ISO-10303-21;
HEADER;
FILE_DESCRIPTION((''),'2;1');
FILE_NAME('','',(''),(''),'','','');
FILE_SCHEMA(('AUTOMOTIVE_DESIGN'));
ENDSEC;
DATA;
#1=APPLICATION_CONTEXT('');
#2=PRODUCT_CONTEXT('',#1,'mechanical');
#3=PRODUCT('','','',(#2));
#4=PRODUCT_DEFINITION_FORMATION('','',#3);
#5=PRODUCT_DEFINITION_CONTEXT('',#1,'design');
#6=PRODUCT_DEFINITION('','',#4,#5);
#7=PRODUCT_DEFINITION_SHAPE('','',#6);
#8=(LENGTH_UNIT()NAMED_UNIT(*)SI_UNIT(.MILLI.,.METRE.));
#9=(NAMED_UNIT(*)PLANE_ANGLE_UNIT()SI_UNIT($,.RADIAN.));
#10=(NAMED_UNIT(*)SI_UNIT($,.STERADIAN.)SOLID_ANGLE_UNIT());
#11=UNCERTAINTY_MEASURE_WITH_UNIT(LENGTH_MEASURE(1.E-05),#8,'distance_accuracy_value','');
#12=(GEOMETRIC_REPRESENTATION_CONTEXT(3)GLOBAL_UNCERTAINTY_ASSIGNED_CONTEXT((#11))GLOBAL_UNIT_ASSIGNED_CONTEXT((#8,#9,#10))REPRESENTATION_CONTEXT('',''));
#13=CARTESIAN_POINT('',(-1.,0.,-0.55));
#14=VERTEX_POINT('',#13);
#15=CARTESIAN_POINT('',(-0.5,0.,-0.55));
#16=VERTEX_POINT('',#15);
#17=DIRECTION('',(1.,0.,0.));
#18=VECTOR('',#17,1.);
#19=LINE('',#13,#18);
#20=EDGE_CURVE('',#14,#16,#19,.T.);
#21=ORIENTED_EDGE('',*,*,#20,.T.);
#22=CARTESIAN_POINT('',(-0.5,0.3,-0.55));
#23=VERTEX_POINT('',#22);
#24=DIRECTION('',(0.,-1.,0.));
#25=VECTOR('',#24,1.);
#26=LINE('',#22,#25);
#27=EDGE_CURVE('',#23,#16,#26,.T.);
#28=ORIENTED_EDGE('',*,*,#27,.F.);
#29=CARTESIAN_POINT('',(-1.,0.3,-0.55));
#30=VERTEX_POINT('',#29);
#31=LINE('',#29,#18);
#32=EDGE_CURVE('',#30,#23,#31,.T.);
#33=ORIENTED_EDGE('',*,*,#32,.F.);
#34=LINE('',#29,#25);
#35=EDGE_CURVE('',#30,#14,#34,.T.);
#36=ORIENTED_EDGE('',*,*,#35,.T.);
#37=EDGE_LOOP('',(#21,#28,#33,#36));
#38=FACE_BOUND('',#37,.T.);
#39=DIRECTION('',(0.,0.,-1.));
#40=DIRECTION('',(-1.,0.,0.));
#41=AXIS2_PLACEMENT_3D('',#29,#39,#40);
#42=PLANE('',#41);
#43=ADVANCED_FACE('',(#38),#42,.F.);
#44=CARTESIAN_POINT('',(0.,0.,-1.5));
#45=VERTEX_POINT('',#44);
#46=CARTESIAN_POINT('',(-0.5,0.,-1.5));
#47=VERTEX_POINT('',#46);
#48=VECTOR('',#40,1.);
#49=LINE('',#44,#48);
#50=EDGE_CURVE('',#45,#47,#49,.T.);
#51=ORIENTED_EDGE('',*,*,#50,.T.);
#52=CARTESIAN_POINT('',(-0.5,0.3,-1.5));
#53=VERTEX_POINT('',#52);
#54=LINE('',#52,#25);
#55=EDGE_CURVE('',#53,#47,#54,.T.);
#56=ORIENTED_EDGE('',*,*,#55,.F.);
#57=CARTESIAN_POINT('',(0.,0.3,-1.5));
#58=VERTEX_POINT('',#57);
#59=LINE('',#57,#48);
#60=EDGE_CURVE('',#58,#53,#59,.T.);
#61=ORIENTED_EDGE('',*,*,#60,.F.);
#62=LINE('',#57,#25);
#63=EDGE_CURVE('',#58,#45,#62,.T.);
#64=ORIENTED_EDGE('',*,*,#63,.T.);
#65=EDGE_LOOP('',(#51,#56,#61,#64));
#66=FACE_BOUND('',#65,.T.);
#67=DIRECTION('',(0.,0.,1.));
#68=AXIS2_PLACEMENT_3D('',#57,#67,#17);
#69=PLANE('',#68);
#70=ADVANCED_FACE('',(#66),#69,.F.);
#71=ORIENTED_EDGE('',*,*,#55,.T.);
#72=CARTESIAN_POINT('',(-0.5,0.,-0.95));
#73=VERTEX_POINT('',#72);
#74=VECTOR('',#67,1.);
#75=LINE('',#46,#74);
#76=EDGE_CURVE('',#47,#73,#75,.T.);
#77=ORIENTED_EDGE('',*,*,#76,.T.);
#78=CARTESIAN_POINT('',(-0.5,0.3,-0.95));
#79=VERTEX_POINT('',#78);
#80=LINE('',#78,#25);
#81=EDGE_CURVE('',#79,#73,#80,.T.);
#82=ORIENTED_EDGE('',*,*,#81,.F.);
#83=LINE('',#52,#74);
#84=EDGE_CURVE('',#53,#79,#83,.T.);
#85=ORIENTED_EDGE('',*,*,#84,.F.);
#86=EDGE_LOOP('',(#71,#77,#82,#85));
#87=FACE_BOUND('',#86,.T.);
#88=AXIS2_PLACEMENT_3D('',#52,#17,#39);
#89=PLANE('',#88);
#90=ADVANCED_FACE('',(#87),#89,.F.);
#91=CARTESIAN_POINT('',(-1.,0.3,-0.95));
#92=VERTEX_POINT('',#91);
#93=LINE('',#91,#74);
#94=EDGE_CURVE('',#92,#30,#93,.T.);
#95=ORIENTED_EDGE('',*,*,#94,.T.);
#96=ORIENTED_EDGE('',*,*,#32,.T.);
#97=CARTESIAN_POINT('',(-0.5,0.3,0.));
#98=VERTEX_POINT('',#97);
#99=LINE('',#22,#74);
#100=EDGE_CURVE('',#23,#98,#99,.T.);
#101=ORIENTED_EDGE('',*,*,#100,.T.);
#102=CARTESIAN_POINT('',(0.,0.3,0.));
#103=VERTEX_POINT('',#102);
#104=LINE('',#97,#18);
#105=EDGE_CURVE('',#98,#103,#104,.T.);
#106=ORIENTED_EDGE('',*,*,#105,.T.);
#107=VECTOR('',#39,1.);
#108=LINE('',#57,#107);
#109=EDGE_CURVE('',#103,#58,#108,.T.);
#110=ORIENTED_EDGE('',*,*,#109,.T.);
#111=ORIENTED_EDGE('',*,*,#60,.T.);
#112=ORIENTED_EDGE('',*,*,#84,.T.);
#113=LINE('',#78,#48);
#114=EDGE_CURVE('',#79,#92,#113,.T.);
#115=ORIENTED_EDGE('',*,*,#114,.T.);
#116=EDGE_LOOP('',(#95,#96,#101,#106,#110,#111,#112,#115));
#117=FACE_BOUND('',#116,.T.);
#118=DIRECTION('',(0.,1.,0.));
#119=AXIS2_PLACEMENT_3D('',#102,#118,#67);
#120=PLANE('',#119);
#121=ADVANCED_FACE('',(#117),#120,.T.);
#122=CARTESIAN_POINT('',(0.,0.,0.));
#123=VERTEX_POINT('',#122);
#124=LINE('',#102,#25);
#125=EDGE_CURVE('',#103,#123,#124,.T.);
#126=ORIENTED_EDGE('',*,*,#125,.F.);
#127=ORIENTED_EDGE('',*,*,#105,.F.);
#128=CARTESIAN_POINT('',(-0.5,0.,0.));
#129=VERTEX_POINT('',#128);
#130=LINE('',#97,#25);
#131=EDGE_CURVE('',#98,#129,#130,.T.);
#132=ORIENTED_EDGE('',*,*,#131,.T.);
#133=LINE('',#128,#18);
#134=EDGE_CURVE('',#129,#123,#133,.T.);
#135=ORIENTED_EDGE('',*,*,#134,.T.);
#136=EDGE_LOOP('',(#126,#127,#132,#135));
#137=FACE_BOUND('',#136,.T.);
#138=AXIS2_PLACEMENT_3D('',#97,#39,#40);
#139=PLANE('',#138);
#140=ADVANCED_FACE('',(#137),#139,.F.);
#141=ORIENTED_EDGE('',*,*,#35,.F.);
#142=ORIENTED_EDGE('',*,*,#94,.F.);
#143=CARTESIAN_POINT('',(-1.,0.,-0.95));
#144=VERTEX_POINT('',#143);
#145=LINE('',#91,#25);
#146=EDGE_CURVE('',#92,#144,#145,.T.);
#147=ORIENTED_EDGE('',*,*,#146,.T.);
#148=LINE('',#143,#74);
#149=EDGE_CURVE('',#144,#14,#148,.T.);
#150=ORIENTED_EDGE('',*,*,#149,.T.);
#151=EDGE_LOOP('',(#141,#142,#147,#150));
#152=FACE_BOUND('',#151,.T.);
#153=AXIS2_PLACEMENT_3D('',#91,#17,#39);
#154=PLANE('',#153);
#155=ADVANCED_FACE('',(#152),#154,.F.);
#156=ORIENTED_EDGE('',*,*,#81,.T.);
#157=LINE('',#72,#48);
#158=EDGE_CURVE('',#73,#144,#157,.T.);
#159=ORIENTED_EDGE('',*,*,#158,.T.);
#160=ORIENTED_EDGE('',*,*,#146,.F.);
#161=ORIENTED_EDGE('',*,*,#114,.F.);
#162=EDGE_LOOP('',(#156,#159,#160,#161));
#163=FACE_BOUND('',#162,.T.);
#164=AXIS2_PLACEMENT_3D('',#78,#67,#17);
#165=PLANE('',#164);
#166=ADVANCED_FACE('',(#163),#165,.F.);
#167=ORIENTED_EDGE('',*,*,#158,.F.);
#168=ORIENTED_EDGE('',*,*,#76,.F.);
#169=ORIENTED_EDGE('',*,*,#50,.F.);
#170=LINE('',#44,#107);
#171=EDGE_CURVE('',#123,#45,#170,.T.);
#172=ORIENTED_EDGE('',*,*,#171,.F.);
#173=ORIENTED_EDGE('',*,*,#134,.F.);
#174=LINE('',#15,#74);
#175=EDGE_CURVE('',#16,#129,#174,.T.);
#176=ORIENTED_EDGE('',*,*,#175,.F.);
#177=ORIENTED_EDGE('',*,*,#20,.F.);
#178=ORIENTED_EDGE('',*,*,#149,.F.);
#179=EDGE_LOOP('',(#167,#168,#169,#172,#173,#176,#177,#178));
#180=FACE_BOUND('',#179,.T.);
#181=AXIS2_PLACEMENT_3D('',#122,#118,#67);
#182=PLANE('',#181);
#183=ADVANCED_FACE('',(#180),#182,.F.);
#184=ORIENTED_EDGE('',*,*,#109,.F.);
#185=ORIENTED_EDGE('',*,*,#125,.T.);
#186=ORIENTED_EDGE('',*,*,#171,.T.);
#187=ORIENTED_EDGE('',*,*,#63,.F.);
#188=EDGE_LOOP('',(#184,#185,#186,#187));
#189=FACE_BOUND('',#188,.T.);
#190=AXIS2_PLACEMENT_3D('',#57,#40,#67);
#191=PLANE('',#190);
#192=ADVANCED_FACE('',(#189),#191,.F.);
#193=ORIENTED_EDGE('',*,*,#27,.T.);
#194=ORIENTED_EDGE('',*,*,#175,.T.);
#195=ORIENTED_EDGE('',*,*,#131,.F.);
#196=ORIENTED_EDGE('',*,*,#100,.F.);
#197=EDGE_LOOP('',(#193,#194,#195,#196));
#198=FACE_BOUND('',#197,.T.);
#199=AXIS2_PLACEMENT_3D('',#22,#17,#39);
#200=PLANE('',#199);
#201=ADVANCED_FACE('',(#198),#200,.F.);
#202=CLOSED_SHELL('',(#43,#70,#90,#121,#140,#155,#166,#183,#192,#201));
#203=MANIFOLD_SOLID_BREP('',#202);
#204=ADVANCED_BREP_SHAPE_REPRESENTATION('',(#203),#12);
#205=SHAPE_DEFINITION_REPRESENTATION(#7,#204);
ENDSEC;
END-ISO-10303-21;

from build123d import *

# Parameters (mm, degrees)
BOSS_EXTRUDE1_DEPTH = 0.3


with BuildPart() as part:
    # Sketch1 → Boss-Extrude1 (new body)
    with BuildSketch(Plane(origin=(0, 0, 0), x_dir=(1, 0, 0), z_dir=(0, 1, 0))):
        Polygon((0, 1.5), (-0.5, 1.5), (-0.5, 0.95), (-1, 0.95), (-1, 0.55), (-0.5, 0.55), (-0.5, 0), (0, 0), align=None)
    extrude(amount=BOSS_EXTRUDE1_DEPTH)


solid = part.part
